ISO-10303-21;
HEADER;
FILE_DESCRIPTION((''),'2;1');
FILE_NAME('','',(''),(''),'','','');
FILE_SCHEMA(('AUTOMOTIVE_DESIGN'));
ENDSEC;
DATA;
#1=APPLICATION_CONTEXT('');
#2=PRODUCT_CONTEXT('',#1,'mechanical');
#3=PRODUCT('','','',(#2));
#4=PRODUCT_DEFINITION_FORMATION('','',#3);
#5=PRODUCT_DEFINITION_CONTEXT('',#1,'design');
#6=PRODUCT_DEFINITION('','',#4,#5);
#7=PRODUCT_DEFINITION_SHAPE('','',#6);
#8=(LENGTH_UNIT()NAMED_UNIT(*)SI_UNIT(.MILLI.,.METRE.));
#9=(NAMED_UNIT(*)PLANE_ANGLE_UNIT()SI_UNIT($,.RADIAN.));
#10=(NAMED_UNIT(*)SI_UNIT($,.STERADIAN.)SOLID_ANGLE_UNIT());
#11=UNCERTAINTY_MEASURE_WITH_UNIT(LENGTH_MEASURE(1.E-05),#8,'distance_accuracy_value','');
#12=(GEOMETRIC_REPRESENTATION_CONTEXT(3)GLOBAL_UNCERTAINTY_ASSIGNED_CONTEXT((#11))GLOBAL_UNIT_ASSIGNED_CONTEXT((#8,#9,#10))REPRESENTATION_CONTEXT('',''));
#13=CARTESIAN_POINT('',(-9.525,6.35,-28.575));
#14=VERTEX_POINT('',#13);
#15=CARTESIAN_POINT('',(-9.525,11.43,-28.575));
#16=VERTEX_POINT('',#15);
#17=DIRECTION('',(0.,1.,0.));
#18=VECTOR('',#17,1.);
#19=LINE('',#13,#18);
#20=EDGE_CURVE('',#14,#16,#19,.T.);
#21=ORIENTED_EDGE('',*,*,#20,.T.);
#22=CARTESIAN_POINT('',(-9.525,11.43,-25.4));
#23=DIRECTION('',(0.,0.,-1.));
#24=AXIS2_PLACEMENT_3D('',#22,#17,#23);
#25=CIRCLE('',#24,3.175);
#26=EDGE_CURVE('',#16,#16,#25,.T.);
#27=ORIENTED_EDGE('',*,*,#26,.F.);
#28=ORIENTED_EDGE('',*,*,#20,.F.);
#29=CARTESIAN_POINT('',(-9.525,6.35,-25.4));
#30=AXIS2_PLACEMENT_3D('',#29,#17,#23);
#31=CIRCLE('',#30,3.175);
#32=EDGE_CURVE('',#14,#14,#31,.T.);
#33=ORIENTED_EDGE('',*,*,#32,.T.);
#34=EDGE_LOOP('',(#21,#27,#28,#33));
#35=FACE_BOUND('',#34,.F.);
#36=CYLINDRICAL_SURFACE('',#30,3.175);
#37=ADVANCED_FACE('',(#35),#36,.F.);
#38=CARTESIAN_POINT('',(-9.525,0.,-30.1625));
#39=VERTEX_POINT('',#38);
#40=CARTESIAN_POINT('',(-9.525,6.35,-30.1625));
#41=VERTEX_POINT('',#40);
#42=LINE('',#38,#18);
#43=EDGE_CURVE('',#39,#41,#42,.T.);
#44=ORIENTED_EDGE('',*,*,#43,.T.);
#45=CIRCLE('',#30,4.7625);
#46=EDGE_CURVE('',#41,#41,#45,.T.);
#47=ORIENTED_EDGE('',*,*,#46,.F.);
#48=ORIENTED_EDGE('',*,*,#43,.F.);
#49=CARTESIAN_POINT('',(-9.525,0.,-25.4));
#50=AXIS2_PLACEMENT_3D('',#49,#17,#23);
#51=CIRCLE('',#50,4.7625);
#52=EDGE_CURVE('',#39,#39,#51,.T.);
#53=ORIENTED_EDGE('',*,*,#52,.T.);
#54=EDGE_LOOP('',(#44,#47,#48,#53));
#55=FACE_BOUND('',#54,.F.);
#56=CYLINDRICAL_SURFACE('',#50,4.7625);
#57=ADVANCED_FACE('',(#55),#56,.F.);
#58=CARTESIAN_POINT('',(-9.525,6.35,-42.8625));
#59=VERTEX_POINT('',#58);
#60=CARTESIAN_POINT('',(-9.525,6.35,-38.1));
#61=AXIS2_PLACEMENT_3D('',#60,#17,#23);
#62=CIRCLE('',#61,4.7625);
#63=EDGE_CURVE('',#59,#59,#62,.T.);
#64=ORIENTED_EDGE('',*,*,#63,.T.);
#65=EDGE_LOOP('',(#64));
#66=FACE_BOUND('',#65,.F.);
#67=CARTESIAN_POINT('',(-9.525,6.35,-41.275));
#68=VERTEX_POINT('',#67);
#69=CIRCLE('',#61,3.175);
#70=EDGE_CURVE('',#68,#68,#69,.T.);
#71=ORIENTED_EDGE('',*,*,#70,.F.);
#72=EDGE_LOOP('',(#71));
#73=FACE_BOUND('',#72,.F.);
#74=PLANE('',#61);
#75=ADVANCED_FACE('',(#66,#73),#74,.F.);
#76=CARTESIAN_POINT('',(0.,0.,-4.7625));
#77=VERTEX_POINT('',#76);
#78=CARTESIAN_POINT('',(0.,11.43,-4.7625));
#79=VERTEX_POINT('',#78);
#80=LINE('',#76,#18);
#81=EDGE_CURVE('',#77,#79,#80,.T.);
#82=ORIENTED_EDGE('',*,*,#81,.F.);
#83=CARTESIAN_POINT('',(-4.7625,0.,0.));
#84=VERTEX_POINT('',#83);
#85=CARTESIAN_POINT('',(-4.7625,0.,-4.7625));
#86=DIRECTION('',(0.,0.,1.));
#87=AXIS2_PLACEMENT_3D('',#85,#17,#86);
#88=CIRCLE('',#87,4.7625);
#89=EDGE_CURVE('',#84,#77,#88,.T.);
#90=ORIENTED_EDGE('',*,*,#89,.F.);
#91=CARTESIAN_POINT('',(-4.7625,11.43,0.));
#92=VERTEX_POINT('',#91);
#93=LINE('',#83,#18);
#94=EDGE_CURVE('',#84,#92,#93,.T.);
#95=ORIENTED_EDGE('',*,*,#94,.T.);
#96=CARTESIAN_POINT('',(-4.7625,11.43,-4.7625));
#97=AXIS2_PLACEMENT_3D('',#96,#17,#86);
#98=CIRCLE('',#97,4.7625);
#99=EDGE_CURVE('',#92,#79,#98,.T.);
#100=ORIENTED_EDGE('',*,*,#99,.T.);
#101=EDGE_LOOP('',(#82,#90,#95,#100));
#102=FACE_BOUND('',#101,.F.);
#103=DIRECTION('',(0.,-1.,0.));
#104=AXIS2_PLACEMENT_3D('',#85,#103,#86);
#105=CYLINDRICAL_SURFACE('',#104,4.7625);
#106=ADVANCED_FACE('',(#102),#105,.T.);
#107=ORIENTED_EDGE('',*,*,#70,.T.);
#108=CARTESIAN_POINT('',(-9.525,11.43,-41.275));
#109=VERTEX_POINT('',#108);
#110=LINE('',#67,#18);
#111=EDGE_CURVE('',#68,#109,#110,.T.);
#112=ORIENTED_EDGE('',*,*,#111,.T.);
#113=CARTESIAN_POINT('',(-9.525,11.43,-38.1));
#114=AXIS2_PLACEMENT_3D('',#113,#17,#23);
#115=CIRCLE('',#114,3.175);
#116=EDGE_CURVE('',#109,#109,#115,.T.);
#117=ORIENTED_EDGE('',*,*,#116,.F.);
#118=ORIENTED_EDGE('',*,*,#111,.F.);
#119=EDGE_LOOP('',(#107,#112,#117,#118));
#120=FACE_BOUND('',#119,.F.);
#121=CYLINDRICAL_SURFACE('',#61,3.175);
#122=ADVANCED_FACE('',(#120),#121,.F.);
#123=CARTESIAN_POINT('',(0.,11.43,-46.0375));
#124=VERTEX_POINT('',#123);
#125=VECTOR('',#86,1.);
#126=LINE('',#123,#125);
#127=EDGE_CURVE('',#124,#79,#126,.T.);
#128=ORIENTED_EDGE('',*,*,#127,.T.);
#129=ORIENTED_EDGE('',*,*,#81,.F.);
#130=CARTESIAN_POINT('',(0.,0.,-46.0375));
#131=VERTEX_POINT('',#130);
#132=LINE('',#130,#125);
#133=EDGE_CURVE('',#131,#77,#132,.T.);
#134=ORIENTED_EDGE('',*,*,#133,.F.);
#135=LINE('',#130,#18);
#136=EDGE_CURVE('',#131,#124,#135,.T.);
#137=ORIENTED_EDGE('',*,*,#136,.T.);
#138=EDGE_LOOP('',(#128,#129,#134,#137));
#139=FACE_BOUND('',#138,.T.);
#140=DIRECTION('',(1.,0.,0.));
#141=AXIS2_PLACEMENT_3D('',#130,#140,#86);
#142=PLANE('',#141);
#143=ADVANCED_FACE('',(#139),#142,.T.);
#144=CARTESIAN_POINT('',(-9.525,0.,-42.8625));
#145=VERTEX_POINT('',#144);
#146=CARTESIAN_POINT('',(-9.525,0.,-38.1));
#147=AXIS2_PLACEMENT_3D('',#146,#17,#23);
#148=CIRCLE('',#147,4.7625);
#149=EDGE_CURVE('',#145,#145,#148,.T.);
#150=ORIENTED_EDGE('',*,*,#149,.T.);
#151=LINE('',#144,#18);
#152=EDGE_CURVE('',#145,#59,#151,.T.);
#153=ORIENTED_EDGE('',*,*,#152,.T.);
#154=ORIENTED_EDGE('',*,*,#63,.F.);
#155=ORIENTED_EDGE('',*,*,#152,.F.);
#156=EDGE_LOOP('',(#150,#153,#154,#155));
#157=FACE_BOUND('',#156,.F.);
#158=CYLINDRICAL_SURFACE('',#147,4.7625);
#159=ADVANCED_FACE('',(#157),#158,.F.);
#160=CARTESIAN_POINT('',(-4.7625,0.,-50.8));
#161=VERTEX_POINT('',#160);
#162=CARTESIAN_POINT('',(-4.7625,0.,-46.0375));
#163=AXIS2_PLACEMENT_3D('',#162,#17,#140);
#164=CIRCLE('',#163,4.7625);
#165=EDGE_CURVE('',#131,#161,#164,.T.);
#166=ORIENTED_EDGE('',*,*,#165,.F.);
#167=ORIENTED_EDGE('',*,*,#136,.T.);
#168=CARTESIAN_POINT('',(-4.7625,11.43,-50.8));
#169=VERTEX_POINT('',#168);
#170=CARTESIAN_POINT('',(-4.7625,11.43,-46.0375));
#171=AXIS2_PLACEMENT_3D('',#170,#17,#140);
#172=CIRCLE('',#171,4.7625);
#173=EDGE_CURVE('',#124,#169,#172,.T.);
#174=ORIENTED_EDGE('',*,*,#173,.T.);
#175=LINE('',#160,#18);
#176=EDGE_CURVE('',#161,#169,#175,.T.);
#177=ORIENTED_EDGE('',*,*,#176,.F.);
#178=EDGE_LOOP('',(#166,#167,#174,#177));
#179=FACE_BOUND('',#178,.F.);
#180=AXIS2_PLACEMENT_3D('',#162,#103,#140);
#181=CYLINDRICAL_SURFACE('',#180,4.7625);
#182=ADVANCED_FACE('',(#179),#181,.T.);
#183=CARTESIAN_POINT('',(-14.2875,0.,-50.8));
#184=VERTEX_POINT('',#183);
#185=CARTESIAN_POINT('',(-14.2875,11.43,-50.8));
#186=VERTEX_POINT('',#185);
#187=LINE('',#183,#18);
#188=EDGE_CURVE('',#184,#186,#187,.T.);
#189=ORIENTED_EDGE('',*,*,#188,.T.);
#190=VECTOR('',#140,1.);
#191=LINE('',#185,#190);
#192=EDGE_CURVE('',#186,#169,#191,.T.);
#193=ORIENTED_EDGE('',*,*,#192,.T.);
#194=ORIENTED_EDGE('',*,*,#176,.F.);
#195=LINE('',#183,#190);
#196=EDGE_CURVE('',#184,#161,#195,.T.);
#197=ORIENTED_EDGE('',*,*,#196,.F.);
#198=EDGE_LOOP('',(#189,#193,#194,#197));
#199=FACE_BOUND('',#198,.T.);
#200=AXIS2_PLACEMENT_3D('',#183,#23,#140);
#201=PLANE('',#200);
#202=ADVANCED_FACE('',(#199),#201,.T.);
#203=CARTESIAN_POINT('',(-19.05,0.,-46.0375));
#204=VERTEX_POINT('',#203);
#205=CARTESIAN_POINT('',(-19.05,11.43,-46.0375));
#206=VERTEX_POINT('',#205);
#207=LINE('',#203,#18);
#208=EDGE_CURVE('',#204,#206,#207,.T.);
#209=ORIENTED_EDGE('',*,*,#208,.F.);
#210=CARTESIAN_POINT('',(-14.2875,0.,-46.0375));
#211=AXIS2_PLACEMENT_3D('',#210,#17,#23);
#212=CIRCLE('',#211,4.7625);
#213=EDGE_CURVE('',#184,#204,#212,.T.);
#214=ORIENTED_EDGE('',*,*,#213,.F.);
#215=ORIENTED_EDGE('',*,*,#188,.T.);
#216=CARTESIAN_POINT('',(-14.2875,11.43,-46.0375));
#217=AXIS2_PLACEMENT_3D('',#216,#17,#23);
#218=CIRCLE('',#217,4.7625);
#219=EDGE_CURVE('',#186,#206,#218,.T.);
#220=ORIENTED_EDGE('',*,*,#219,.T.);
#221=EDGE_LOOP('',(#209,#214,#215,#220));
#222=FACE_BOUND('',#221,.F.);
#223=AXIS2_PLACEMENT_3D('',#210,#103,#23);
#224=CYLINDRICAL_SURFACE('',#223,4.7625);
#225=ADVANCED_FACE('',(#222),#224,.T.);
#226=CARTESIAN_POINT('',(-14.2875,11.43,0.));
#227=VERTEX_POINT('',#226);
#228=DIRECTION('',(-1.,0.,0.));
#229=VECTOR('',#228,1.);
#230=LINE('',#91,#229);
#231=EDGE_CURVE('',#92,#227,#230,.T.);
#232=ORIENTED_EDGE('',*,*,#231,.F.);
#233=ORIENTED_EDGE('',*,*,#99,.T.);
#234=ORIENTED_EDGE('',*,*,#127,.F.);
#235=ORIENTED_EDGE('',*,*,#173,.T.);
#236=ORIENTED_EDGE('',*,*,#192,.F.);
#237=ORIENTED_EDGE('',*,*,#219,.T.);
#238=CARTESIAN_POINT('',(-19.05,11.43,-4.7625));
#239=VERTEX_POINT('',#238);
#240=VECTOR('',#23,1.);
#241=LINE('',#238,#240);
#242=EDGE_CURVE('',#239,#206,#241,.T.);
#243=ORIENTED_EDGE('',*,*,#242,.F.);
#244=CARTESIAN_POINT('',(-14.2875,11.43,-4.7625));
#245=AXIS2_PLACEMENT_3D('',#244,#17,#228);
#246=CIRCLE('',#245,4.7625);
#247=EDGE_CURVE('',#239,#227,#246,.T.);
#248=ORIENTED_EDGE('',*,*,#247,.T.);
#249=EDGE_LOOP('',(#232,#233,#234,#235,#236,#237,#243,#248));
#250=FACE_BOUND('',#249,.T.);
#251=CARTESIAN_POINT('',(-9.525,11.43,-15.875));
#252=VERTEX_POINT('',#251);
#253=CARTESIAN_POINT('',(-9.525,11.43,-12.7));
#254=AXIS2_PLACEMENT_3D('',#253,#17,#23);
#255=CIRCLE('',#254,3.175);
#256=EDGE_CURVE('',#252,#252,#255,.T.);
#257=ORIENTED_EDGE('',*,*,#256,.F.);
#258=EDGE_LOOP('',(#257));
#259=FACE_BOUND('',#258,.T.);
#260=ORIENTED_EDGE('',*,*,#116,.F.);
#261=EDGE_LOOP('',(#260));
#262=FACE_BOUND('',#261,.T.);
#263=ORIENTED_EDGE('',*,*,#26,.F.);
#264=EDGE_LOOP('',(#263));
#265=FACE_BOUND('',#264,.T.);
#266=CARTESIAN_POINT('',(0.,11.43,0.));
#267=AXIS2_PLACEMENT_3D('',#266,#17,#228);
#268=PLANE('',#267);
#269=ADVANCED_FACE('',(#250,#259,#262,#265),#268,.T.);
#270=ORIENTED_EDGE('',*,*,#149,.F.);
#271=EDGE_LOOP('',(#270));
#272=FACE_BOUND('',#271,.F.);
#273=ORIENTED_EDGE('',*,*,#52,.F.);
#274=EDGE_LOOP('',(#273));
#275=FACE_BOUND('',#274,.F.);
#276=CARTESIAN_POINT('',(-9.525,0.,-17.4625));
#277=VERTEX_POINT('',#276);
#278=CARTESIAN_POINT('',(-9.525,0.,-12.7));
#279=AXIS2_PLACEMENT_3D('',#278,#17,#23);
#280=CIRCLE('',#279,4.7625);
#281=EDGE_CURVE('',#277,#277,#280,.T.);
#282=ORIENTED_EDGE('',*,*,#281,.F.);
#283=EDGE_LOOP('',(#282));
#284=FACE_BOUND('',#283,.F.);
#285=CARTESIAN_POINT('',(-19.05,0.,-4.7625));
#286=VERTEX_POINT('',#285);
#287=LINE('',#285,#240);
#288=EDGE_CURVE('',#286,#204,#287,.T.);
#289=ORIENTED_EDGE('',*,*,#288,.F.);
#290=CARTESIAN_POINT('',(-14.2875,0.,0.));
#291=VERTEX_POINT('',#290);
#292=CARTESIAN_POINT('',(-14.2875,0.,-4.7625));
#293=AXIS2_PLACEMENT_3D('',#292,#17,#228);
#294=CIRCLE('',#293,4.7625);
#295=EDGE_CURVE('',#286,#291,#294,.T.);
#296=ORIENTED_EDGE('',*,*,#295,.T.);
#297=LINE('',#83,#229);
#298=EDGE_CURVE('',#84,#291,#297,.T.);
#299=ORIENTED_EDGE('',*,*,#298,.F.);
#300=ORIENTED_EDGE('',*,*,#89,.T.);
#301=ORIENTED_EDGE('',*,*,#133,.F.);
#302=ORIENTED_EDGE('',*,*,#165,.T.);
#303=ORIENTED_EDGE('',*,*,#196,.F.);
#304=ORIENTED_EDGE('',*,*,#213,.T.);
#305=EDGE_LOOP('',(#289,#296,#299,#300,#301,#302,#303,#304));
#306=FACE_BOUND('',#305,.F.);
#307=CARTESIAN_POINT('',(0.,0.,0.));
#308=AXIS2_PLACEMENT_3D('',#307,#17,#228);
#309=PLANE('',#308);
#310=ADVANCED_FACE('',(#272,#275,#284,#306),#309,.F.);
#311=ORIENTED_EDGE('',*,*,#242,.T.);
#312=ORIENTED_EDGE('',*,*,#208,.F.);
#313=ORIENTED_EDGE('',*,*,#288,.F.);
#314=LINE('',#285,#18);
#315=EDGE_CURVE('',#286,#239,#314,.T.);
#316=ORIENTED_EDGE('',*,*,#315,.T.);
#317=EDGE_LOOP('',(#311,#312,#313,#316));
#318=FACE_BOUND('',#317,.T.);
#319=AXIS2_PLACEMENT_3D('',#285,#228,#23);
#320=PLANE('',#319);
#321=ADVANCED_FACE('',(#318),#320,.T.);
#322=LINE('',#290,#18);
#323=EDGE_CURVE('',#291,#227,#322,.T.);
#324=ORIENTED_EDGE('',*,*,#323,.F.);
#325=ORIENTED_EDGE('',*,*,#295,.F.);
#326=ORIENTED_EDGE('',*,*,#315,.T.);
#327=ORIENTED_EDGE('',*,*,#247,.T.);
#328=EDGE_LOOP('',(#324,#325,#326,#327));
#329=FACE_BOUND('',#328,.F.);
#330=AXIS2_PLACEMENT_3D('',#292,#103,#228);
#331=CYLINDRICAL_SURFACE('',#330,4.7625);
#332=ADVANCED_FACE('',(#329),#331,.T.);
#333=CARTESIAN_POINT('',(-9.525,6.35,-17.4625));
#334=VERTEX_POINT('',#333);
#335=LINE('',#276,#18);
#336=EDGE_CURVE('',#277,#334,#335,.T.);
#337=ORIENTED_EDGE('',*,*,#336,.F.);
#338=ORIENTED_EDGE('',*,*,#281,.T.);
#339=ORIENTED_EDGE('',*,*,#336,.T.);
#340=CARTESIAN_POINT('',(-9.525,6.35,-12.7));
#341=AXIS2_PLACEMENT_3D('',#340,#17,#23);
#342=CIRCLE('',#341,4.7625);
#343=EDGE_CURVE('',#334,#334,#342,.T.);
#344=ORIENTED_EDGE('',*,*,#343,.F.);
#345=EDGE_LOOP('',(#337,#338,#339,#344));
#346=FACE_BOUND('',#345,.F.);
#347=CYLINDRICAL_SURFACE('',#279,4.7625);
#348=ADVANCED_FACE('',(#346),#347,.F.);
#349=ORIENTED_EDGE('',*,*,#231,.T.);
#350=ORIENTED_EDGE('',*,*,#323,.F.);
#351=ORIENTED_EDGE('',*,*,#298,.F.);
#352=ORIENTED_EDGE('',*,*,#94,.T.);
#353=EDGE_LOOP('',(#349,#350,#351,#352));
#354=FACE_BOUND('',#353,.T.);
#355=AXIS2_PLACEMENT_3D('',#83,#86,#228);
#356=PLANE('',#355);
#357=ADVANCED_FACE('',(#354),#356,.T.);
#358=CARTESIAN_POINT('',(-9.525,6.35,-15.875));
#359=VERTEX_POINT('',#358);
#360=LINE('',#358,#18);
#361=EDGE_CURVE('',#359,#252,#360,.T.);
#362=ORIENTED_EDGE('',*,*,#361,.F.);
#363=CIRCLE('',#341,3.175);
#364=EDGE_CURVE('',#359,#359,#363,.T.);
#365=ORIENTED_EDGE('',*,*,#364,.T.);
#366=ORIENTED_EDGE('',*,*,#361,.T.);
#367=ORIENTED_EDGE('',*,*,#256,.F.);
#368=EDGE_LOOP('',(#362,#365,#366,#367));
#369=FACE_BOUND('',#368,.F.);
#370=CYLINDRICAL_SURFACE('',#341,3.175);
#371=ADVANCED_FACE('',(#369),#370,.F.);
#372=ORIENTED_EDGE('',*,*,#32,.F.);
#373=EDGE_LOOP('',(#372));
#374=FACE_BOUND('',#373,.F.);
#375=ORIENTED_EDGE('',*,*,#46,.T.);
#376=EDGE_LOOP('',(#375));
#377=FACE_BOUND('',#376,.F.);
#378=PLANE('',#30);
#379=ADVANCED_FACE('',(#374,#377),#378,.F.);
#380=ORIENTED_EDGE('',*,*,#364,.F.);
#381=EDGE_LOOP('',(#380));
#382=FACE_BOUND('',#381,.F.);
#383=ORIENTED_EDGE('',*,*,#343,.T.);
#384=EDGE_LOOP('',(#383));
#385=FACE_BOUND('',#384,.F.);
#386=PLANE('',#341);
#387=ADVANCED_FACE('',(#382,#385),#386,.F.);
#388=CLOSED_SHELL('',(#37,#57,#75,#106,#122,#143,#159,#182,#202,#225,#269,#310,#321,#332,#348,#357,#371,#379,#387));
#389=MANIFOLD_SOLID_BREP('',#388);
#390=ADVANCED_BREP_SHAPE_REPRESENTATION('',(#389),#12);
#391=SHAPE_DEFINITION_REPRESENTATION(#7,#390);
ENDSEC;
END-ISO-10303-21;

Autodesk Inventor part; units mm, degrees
ref_plane "YZ Plane" through (0, 0, 0) normal (1, 0, 0) x (0, 1, 0)
ref_plane "XZ Plane" through (0, 0, 0) normal (0, 1, 0) x (-1, 0, 0)
ref_plane "XY Plane" through (0, 0, 0) normal (0, 0, 1) x (1, 0, 0)
sketch "Sketch1" plane through (0, 0, 0) normal (0, 1, 0) x (-1, 0, 0)
  line L0 (4.7625, 0) -> (14.2875, 0)
  line L1 (19.05, -4.7625) -> (19.05, -46.0375)
  line L2 (14.2875, -50.8) -> (4.7625, -50.8)
  line L3 (0, -46.0375) -> (0, -4.7625)
  circle A0 centre (9.525, -12.7) radius 2.54 construction
  circle A1 centre (9.525, -25.4) radius 2.54 construction
  circle A2 centre (9.525, -38.1) radius 2.54 construction
  arc A3 (19.05, -4.7625) -> (14.2875, 0) centre (14.2875, -4.7625) ccw
  arc A4 (14.2875, -50.8) -> (19.05, -46.0375) centre (14.2875, -46.0375) ccw
  arc A5 (0, -46.0375) -> (4.7625, -50.8) centre (4.7625, -46.0375) ccw
  arc A6 (4.7625, 0) -> (0, -4.7625) centre (4.7625, -4.7625) ccw
  point P0 (0, 0)
  point P1 (9.525, -25.4)
  dimension "d0" = 50.8
  dimension "d1" = 19.05
  dimension "d2" = 12.7
  dimension "d3" = 12.7
  dimension "d4" = 12.7
  dimension "d5" = 9.525
  dimension "d6" = 5.08
  dimension "d7" = 4.7625
extrude "Extrusion1" add sketch "Sketch1" along normal blind 11.43
hole "Hole1" at (-9.525, 0, -38.1) at (-9.525, 0, -25.4) at (-9.525, 0, -38.1) at (-9.525, 0, -12.7) direction (0, 1, 0) diameter 6.35 depth 25.4 counterbore diameter 9.525 counterbore depth 6.35
properties part number "ELEV_026_HARDSTOP1" material "ABS Plastic"
